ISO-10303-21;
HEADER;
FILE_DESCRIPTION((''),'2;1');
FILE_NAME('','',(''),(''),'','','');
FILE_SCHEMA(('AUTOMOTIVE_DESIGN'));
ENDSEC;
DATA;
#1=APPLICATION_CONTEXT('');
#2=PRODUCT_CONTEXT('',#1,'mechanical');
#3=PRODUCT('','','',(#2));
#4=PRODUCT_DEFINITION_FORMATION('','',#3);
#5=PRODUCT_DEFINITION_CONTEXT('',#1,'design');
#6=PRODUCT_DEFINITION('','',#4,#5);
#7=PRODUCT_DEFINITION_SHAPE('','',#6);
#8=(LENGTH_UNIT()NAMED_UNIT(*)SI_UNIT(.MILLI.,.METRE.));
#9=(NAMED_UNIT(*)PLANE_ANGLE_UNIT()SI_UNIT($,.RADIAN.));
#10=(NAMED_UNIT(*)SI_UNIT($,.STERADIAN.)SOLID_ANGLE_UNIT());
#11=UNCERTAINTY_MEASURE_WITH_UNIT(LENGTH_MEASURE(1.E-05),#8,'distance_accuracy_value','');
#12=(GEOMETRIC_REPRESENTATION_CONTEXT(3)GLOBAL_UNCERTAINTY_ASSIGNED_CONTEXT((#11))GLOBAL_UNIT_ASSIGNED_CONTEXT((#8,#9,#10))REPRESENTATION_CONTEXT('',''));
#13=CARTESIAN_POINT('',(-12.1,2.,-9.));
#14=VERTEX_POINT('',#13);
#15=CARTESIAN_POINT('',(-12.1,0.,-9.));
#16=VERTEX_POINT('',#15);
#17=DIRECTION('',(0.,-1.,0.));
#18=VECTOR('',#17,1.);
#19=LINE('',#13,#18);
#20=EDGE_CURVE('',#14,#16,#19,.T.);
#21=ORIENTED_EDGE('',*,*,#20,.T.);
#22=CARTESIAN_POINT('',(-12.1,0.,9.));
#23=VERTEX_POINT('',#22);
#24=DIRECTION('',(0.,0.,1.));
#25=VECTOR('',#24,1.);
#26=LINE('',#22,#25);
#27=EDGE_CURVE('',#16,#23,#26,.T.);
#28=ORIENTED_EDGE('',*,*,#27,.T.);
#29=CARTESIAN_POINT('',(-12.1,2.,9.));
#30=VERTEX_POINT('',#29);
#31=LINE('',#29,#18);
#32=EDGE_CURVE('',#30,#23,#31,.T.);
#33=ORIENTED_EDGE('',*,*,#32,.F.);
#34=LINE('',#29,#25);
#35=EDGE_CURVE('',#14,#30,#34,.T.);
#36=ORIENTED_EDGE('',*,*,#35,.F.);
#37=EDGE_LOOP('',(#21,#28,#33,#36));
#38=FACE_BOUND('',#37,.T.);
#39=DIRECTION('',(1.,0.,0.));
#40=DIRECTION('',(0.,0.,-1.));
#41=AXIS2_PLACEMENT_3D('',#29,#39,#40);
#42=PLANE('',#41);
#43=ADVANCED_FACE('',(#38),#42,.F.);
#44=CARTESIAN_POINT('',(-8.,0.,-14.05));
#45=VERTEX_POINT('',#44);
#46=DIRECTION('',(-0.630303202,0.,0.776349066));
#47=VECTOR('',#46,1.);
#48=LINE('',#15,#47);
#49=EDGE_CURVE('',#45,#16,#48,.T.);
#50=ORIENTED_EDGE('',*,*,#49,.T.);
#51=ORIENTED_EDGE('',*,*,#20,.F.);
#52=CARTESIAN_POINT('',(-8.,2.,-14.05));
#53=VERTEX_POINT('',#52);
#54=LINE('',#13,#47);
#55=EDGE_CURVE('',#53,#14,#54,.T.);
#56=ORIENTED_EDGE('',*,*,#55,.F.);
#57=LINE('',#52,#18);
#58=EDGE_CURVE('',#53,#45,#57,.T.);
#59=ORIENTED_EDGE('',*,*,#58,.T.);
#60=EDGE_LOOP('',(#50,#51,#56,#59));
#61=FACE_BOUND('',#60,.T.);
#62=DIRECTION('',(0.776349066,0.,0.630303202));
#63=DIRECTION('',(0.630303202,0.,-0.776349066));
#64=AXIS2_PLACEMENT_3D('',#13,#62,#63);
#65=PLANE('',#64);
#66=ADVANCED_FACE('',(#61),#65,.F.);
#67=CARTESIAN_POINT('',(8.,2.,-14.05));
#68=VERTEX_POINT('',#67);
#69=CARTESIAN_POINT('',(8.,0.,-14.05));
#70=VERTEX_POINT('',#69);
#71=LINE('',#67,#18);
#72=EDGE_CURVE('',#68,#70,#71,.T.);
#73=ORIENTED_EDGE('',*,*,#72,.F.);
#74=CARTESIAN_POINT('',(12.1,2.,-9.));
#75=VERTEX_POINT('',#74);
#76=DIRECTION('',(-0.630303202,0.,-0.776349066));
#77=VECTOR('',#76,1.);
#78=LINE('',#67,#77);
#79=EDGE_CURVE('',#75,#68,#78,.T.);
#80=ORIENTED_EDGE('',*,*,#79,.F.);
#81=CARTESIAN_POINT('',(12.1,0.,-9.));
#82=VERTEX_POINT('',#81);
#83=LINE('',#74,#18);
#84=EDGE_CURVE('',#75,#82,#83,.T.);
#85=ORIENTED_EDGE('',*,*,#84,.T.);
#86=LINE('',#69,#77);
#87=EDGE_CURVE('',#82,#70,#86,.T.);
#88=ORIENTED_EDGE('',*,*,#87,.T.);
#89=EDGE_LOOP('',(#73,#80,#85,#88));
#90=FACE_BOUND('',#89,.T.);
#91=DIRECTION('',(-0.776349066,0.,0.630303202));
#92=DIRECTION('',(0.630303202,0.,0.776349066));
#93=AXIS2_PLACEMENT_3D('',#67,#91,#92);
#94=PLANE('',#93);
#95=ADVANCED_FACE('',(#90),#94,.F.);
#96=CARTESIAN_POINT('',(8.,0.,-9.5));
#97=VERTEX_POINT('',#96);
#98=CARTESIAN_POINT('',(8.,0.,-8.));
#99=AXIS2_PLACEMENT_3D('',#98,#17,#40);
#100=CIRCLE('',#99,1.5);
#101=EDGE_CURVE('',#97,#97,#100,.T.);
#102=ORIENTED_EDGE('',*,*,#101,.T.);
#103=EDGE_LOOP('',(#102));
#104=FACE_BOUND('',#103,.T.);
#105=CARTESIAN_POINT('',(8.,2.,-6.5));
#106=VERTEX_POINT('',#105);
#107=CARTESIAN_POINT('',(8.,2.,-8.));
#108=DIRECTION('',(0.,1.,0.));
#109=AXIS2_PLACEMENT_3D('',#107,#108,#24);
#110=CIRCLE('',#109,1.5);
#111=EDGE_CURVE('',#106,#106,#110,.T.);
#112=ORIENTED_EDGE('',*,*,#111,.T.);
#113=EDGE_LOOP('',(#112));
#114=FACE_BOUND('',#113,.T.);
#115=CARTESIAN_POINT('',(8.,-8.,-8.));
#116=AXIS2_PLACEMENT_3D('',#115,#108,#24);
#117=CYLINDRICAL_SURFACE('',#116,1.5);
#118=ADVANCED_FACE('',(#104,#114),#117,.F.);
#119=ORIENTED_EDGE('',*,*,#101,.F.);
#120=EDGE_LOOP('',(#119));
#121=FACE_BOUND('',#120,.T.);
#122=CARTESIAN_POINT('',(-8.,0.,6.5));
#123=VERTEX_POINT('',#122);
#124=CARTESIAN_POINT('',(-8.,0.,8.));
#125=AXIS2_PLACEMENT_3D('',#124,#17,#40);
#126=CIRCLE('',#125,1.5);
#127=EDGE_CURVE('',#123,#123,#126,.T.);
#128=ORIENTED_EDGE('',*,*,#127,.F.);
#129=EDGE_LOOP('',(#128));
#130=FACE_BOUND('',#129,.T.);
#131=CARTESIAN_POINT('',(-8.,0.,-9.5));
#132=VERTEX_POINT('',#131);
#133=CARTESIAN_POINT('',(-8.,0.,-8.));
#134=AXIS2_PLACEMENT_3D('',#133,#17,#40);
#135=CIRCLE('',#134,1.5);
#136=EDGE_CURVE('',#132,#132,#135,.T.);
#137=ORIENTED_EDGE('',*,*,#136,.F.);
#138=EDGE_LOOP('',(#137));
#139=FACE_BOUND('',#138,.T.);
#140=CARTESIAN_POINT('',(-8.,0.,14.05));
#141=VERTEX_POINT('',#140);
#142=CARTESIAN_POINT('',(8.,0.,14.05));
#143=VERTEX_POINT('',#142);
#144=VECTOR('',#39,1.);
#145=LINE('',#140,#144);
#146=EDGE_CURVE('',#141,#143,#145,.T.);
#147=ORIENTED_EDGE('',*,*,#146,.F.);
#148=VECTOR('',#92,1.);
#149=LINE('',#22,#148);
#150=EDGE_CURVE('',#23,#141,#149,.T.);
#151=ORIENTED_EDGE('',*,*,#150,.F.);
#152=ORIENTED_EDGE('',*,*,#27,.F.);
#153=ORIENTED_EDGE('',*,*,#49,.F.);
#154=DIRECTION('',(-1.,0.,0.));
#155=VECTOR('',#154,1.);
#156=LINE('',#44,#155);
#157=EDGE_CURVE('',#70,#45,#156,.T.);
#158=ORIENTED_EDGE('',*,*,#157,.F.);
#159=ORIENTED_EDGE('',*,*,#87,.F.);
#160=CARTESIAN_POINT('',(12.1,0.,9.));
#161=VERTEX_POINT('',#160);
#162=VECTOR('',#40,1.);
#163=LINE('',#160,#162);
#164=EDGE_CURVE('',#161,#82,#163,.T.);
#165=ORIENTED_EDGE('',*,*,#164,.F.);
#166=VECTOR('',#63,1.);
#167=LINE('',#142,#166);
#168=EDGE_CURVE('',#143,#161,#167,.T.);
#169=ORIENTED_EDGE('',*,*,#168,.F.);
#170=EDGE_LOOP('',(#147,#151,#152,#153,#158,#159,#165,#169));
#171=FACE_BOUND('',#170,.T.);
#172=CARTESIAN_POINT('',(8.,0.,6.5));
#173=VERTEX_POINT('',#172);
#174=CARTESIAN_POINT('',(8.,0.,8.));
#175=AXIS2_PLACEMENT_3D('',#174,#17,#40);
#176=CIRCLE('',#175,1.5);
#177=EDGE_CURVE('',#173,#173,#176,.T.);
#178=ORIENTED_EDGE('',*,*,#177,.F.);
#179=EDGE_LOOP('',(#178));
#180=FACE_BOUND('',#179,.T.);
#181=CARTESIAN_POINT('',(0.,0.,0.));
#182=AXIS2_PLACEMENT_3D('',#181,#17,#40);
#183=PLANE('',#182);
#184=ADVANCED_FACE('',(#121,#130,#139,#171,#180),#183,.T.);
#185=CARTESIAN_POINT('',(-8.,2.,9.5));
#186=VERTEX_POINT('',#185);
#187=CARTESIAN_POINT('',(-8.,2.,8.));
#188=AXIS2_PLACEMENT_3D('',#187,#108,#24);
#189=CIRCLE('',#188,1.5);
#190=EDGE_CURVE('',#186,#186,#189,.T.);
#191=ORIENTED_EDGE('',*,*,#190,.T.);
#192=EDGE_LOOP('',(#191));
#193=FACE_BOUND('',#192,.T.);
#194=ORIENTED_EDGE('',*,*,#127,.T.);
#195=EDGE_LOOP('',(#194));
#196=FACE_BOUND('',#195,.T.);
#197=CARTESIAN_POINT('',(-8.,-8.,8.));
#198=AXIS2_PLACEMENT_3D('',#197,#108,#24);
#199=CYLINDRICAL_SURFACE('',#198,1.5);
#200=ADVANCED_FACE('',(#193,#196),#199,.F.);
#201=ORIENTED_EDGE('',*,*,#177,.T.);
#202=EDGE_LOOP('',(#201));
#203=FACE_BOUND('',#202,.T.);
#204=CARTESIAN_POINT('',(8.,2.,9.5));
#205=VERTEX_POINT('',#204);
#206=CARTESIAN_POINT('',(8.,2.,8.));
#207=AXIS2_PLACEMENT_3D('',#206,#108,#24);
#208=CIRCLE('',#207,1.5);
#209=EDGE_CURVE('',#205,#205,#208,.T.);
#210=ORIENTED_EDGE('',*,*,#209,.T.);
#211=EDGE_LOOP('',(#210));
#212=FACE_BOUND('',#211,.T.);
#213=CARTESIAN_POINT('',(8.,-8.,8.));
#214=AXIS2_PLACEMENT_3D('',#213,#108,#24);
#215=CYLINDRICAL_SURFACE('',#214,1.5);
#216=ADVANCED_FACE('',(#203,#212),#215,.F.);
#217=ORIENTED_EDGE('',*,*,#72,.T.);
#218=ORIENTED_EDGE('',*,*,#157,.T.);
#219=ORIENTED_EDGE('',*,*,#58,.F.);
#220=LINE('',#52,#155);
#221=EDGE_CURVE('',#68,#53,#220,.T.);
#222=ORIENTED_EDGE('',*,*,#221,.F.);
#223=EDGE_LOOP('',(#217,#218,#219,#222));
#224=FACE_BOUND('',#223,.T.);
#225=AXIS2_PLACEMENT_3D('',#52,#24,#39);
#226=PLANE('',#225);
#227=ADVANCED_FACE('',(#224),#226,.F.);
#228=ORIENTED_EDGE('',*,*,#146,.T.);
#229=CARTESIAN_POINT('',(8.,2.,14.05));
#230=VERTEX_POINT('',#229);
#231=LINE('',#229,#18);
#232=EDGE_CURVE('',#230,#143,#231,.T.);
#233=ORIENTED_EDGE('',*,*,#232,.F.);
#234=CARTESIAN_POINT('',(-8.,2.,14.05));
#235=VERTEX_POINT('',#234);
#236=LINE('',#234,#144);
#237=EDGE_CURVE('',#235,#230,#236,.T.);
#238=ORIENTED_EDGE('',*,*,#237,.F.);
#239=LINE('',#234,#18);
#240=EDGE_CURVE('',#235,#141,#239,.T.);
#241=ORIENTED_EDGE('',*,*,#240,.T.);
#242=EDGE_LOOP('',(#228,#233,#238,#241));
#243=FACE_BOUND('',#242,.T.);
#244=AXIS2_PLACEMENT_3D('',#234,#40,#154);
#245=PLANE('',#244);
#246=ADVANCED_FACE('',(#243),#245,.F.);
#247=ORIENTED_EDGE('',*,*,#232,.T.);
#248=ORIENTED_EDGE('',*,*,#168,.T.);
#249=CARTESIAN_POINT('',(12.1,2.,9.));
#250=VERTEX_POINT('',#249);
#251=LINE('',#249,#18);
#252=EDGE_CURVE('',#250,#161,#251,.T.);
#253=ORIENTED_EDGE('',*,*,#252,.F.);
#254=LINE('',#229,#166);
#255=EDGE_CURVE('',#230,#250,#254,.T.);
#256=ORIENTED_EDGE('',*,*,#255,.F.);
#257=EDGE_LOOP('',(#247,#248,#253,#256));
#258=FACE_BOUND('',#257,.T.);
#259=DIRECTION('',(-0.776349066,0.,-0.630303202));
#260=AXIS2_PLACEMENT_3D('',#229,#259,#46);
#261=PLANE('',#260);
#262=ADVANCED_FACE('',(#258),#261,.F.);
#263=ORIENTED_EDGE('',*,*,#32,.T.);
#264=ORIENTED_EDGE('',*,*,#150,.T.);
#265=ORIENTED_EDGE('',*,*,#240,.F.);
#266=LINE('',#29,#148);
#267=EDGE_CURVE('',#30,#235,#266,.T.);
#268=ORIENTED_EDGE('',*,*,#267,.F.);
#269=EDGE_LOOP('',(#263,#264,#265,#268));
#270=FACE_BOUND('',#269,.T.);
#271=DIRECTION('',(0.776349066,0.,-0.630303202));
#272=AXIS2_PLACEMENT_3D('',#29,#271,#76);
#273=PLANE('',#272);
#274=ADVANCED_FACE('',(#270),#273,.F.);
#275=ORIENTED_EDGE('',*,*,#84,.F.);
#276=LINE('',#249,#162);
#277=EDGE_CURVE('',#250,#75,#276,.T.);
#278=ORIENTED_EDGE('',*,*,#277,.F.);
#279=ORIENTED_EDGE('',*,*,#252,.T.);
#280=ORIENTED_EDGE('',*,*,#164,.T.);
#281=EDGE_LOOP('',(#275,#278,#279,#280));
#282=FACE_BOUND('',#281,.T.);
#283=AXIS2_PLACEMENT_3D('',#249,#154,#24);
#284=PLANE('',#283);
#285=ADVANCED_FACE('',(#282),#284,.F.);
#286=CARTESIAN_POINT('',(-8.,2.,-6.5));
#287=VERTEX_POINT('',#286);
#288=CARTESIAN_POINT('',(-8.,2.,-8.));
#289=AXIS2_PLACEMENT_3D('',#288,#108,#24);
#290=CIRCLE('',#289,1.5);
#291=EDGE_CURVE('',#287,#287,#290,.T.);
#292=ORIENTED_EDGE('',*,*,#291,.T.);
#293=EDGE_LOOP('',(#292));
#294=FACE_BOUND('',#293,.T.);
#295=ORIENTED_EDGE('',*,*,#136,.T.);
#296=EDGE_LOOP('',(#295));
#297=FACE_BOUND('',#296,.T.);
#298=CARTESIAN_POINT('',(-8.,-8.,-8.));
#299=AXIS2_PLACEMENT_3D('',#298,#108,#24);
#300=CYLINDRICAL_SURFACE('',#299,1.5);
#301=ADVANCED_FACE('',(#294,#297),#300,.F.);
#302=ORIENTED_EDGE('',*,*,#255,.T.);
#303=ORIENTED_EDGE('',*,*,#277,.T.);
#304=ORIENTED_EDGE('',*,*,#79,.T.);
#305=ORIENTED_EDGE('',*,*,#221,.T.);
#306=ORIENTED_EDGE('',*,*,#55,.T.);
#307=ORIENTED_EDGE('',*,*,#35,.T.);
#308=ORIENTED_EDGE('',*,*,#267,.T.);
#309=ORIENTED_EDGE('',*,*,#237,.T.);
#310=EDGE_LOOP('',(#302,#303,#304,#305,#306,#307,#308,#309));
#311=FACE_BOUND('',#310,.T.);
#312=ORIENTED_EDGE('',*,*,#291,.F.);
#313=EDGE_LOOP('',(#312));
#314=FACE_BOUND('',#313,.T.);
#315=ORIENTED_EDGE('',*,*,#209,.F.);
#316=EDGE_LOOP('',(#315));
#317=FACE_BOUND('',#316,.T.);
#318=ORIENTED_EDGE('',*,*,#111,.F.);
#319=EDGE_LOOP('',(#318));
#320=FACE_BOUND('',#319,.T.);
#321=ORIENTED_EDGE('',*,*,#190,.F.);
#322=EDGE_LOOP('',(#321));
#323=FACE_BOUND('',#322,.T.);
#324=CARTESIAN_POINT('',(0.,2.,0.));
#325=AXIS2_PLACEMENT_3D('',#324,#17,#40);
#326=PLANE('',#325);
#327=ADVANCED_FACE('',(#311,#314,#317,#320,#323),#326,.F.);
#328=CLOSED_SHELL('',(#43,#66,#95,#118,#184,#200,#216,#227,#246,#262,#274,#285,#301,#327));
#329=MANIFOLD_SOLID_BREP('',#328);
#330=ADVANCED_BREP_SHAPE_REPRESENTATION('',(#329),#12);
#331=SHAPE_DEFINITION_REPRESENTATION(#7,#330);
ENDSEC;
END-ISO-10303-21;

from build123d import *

# Parameters (mm, degrees)
BOSS_EXTRUDE1_DEPTH = 2
SKETCH2_R           = 1.5
CUT_EXTRUDE1_DEPTH  = 10


with BuildPart() as part:
    # Sketch1 → Boss-Extrude1 (new body)
    with BuildSketch(Plane(origin=(0, 0, 0), x_dir=(1, 0, 0), z_dir=(0, 1, 0))):
        Polygon((-12.1, 9), (-8, 14.05), (8, 14.05), (12.1, 9), (12.1, -9), (8, -14.05), (-8, -14.05), (-12.1, -9), align=None)
    extrude(amount=BOSS_EXTRUDE1_DEPTH)

    # Sketch2 → Cut-Extrude1 (cut)
    with BuildSketch(Plane(origin=(0, 2, 0), x_dir=(1, 0, 0), z_dir=(0, 1, 0))):
        with Locations(Location((-8, 8, 0), (0, 0, 270))):
            Circle(SKETCH2_R)
        with Locations(Location((8, 8, 0), (0, 0, 270))):
            Circle(SKETCH2_R)
        with Locations(Location((-8, -8, 0), (0, 0, 270))):
            Circle(SKETCH2_R)
        with Locations(Location((8, -8, 0), (0, 0, 270))):
            Circle(SKETCH2_R)
    extrude(amount=-CUT_EXTRUDE1_DEPTH, mode=Mode.SUBTRACT)


solid = part.part
